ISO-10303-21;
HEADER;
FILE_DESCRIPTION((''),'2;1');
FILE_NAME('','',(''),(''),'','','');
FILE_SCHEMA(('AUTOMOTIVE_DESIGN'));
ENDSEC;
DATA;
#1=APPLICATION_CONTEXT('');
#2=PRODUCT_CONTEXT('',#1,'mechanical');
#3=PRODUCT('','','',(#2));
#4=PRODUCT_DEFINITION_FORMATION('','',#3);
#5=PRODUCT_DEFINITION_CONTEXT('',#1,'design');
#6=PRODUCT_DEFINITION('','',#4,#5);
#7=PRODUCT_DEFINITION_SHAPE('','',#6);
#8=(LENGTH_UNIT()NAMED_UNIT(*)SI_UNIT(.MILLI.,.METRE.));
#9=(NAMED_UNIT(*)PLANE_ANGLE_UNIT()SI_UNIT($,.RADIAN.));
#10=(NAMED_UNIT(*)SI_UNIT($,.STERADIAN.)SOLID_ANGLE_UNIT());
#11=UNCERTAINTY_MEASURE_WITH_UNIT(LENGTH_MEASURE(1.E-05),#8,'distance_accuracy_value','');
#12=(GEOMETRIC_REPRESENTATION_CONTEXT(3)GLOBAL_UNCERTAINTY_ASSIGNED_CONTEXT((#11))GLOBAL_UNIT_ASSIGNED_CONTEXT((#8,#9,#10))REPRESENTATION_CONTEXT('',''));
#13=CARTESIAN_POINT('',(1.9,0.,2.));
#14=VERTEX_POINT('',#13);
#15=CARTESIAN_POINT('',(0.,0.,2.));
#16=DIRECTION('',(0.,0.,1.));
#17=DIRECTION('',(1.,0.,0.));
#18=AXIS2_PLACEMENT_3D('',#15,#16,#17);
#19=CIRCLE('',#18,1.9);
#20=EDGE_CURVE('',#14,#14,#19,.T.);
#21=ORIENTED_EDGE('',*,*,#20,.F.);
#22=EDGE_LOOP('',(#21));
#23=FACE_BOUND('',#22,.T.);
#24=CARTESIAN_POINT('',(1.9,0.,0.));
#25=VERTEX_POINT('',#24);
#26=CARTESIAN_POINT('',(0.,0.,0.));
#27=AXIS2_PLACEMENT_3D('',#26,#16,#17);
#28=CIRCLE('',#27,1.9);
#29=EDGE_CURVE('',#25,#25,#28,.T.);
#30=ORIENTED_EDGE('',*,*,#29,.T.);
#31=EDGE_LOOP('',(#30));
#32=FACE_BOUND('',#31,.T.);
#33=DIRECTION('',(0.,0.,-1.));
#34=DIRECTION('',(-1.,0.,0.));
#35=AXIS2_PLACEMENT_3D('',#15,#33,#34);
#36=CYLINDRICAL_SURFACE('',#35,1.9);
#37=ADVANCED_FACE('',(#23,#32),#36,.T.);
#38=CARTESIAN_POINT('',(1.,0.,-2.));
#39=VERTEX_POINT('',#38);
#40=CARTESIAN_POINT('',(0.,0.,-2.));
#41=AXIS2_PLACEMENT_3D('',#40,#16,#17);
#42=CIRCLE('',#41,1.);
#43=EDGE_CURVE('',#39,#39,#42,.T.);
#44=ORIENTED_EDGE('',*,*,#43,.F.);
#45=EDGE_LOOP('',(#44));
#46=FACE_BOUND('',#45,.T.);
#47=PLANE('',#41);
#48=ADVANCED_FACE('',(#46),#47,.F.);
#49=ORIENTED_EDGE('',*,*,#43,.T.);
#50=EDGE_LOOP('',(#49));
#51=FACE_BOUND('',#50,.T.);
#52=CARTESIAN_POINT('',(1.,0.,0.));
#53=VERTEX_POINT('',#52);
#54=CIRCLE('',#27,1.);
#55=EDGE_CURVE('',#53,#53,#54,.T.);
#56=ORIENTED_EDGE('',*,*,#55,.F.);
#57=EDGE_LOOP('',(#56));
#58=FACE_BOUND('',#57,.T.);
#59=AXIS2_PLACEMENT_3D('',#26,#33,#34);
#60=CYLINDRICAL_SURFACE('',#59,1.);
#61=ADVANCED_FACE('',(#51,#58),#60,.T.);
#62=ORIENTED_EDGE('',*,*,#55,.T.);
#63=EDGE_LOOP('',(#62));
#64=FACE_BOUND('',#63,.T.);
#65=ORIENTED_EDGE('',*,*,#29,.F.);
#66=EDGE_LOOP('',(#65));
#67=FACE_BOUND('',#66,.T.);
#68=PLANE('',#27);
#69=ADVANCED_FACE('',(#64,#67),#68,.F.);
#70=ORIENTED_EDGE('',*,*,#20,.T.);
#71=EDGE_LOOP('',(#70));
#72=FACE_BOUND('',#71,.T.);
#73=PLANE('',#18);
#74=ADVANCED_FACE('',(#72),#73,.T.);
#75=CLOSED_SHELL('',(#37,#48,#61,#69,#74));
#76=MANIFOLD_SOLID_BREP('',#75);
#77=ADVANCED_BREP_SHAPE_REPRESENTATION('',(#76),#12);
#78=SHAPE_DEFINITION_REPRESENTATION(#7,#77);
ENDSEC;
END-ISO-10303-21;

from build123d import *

# Parameters (mm, degrees)
THREAD_ENVELOPE_START = -2
SKETCH1_R             = 1
THREAD_ENVELOPE_DEPTH = 2
SKETCH2_R             = 1.9
HEAD_ENVELOPE_DEPTH   = 2


with BuildPart() as part:
    # Sketch1 → Thread_Envelope (new body)
    with BuildSketch(Plane.XY.offset(THREAD_ENVELOPE_START)):
        Circle(SKETCH1_R)
    extrude(amount=THREAD_ENVELOPE_DEPTH)

    # Sketch2 → Head_Envelope (add)
    with BuildSketch(Plane.XY):
        Circle(SKETCH2_R)
    extrude(amount=HEAD_ENVELOPE_DEPTH)


solid = part.part
